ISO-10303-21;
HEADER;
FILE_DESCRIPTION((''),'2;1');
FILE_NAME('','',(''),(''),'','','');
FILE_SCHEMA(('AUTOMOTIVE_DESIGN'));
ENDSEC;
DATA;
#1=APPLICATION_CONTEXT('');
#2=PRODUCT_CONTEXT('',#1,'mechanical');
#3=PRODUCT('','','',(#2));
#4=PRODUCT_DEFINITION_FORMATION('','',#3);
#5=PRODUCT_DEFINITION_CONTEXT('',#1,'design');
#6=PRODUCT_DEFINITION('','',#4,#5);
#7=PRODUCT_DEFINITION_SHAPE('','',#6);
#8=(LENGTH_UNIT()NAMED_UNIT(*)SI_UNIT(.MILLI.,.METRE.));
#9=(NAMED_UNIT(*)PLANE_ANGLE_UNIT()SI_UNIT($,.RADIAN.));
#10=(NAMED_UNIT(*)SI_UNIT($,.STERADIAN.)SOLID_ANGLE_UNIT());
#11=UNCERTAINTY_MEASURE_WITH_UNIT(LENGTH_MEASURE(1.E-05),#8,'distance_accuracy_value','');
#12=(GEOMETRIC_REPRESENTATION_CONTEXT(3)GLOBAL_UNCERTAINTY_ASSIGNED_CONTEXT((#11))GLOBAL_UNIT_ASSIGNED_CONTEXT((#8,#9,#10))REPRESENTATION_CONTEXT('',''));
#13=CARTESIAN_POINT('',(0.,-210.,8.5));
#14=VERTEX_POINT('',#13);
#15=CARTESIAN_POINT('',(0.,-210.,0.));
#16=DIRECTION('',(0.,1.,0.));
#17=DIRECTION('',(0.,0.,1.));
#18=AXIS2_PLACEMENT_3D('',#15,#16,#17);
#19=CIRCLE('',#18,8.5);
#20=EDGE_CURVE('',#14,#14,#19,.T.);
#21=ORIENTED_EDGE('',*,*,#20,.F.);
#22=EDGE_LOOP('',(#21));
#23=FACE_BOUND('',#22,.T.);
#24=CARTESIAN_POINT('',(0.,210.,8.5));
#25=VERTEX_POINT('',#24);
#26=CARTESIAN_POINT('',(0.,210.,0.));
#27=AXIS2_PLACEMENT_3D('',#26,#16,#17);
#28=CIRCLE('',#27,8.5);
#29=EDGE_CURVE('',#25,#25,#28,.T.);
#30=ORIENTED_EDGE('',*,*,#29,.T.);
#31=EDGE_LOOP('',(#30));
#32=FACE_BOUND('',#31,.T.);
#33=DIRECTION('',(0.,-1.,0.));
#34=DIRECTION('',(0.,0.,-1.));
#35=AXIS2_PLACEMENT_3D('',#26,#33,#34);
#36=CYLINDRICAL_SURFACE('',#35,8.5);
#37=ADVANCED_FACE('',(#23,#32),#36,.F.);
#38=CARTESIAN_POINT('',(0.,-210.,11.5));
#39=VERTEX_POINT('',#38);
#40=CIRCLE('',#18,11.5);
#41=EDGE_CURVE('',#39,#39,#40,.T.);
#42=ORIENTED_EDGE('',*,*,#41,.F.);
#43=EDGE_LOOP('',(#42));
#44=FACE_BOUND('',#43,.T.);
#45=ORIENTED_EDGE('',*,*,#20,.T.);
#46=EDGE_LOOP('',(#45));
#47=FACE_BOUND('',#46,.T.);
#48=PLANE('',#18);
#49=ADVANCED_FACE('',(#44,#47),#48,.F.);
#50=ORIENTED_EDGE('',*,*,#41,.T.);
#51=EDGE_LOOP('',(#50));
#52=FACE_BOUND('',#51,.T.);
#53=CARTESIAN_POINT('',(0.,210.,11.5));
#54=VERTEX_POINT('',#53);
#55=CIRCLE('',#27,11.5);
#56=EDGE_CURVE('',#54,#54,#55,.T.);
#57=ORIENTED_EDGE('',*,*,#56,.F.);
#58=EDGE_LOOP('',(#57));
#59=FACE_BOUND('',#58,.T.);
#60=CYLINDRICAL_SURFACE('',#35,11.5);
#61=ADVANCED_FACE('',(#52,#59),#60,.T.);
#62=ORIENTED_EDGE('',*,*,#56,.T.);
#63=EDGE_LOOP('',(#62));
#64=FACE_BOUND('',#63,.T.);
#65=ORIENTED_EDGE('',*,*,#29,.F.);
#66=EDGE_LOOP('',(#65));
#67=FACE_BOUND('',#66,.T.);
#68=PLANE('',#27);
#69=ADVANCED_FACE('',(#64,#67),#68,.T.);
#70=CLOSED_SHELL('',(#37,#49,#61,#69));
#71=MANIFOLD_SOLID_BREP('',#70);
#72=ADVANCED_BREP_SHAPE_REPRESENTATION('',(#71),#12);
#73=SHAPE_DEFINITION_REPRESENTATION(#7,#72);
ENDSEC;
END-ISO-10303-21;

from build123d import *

# Parameters (mm, degrees)
CROQUIS1_R              = 11.5
CROQUIS1_R_2            = 8.5
SALIENTE_EXTRUIR1_DEPTH = 210


with BuildPart() as part:
    # Croquis1 → Saliente-Extruir1 (new body, symmetric)
    with BuildSketch(Plane(origin=(0, 0, 0), x_dir=(1, 0, 0), z_dir=(0, 1, 0))):
        Circle(CROQUIS1_R)
        Circle(CROQUIS1_R_2, mode=Mode.SUBTRACT)
    extrude(amount=SALIENTE_EXTRUIR1_DEPTH, both=True)


solid = part.part
